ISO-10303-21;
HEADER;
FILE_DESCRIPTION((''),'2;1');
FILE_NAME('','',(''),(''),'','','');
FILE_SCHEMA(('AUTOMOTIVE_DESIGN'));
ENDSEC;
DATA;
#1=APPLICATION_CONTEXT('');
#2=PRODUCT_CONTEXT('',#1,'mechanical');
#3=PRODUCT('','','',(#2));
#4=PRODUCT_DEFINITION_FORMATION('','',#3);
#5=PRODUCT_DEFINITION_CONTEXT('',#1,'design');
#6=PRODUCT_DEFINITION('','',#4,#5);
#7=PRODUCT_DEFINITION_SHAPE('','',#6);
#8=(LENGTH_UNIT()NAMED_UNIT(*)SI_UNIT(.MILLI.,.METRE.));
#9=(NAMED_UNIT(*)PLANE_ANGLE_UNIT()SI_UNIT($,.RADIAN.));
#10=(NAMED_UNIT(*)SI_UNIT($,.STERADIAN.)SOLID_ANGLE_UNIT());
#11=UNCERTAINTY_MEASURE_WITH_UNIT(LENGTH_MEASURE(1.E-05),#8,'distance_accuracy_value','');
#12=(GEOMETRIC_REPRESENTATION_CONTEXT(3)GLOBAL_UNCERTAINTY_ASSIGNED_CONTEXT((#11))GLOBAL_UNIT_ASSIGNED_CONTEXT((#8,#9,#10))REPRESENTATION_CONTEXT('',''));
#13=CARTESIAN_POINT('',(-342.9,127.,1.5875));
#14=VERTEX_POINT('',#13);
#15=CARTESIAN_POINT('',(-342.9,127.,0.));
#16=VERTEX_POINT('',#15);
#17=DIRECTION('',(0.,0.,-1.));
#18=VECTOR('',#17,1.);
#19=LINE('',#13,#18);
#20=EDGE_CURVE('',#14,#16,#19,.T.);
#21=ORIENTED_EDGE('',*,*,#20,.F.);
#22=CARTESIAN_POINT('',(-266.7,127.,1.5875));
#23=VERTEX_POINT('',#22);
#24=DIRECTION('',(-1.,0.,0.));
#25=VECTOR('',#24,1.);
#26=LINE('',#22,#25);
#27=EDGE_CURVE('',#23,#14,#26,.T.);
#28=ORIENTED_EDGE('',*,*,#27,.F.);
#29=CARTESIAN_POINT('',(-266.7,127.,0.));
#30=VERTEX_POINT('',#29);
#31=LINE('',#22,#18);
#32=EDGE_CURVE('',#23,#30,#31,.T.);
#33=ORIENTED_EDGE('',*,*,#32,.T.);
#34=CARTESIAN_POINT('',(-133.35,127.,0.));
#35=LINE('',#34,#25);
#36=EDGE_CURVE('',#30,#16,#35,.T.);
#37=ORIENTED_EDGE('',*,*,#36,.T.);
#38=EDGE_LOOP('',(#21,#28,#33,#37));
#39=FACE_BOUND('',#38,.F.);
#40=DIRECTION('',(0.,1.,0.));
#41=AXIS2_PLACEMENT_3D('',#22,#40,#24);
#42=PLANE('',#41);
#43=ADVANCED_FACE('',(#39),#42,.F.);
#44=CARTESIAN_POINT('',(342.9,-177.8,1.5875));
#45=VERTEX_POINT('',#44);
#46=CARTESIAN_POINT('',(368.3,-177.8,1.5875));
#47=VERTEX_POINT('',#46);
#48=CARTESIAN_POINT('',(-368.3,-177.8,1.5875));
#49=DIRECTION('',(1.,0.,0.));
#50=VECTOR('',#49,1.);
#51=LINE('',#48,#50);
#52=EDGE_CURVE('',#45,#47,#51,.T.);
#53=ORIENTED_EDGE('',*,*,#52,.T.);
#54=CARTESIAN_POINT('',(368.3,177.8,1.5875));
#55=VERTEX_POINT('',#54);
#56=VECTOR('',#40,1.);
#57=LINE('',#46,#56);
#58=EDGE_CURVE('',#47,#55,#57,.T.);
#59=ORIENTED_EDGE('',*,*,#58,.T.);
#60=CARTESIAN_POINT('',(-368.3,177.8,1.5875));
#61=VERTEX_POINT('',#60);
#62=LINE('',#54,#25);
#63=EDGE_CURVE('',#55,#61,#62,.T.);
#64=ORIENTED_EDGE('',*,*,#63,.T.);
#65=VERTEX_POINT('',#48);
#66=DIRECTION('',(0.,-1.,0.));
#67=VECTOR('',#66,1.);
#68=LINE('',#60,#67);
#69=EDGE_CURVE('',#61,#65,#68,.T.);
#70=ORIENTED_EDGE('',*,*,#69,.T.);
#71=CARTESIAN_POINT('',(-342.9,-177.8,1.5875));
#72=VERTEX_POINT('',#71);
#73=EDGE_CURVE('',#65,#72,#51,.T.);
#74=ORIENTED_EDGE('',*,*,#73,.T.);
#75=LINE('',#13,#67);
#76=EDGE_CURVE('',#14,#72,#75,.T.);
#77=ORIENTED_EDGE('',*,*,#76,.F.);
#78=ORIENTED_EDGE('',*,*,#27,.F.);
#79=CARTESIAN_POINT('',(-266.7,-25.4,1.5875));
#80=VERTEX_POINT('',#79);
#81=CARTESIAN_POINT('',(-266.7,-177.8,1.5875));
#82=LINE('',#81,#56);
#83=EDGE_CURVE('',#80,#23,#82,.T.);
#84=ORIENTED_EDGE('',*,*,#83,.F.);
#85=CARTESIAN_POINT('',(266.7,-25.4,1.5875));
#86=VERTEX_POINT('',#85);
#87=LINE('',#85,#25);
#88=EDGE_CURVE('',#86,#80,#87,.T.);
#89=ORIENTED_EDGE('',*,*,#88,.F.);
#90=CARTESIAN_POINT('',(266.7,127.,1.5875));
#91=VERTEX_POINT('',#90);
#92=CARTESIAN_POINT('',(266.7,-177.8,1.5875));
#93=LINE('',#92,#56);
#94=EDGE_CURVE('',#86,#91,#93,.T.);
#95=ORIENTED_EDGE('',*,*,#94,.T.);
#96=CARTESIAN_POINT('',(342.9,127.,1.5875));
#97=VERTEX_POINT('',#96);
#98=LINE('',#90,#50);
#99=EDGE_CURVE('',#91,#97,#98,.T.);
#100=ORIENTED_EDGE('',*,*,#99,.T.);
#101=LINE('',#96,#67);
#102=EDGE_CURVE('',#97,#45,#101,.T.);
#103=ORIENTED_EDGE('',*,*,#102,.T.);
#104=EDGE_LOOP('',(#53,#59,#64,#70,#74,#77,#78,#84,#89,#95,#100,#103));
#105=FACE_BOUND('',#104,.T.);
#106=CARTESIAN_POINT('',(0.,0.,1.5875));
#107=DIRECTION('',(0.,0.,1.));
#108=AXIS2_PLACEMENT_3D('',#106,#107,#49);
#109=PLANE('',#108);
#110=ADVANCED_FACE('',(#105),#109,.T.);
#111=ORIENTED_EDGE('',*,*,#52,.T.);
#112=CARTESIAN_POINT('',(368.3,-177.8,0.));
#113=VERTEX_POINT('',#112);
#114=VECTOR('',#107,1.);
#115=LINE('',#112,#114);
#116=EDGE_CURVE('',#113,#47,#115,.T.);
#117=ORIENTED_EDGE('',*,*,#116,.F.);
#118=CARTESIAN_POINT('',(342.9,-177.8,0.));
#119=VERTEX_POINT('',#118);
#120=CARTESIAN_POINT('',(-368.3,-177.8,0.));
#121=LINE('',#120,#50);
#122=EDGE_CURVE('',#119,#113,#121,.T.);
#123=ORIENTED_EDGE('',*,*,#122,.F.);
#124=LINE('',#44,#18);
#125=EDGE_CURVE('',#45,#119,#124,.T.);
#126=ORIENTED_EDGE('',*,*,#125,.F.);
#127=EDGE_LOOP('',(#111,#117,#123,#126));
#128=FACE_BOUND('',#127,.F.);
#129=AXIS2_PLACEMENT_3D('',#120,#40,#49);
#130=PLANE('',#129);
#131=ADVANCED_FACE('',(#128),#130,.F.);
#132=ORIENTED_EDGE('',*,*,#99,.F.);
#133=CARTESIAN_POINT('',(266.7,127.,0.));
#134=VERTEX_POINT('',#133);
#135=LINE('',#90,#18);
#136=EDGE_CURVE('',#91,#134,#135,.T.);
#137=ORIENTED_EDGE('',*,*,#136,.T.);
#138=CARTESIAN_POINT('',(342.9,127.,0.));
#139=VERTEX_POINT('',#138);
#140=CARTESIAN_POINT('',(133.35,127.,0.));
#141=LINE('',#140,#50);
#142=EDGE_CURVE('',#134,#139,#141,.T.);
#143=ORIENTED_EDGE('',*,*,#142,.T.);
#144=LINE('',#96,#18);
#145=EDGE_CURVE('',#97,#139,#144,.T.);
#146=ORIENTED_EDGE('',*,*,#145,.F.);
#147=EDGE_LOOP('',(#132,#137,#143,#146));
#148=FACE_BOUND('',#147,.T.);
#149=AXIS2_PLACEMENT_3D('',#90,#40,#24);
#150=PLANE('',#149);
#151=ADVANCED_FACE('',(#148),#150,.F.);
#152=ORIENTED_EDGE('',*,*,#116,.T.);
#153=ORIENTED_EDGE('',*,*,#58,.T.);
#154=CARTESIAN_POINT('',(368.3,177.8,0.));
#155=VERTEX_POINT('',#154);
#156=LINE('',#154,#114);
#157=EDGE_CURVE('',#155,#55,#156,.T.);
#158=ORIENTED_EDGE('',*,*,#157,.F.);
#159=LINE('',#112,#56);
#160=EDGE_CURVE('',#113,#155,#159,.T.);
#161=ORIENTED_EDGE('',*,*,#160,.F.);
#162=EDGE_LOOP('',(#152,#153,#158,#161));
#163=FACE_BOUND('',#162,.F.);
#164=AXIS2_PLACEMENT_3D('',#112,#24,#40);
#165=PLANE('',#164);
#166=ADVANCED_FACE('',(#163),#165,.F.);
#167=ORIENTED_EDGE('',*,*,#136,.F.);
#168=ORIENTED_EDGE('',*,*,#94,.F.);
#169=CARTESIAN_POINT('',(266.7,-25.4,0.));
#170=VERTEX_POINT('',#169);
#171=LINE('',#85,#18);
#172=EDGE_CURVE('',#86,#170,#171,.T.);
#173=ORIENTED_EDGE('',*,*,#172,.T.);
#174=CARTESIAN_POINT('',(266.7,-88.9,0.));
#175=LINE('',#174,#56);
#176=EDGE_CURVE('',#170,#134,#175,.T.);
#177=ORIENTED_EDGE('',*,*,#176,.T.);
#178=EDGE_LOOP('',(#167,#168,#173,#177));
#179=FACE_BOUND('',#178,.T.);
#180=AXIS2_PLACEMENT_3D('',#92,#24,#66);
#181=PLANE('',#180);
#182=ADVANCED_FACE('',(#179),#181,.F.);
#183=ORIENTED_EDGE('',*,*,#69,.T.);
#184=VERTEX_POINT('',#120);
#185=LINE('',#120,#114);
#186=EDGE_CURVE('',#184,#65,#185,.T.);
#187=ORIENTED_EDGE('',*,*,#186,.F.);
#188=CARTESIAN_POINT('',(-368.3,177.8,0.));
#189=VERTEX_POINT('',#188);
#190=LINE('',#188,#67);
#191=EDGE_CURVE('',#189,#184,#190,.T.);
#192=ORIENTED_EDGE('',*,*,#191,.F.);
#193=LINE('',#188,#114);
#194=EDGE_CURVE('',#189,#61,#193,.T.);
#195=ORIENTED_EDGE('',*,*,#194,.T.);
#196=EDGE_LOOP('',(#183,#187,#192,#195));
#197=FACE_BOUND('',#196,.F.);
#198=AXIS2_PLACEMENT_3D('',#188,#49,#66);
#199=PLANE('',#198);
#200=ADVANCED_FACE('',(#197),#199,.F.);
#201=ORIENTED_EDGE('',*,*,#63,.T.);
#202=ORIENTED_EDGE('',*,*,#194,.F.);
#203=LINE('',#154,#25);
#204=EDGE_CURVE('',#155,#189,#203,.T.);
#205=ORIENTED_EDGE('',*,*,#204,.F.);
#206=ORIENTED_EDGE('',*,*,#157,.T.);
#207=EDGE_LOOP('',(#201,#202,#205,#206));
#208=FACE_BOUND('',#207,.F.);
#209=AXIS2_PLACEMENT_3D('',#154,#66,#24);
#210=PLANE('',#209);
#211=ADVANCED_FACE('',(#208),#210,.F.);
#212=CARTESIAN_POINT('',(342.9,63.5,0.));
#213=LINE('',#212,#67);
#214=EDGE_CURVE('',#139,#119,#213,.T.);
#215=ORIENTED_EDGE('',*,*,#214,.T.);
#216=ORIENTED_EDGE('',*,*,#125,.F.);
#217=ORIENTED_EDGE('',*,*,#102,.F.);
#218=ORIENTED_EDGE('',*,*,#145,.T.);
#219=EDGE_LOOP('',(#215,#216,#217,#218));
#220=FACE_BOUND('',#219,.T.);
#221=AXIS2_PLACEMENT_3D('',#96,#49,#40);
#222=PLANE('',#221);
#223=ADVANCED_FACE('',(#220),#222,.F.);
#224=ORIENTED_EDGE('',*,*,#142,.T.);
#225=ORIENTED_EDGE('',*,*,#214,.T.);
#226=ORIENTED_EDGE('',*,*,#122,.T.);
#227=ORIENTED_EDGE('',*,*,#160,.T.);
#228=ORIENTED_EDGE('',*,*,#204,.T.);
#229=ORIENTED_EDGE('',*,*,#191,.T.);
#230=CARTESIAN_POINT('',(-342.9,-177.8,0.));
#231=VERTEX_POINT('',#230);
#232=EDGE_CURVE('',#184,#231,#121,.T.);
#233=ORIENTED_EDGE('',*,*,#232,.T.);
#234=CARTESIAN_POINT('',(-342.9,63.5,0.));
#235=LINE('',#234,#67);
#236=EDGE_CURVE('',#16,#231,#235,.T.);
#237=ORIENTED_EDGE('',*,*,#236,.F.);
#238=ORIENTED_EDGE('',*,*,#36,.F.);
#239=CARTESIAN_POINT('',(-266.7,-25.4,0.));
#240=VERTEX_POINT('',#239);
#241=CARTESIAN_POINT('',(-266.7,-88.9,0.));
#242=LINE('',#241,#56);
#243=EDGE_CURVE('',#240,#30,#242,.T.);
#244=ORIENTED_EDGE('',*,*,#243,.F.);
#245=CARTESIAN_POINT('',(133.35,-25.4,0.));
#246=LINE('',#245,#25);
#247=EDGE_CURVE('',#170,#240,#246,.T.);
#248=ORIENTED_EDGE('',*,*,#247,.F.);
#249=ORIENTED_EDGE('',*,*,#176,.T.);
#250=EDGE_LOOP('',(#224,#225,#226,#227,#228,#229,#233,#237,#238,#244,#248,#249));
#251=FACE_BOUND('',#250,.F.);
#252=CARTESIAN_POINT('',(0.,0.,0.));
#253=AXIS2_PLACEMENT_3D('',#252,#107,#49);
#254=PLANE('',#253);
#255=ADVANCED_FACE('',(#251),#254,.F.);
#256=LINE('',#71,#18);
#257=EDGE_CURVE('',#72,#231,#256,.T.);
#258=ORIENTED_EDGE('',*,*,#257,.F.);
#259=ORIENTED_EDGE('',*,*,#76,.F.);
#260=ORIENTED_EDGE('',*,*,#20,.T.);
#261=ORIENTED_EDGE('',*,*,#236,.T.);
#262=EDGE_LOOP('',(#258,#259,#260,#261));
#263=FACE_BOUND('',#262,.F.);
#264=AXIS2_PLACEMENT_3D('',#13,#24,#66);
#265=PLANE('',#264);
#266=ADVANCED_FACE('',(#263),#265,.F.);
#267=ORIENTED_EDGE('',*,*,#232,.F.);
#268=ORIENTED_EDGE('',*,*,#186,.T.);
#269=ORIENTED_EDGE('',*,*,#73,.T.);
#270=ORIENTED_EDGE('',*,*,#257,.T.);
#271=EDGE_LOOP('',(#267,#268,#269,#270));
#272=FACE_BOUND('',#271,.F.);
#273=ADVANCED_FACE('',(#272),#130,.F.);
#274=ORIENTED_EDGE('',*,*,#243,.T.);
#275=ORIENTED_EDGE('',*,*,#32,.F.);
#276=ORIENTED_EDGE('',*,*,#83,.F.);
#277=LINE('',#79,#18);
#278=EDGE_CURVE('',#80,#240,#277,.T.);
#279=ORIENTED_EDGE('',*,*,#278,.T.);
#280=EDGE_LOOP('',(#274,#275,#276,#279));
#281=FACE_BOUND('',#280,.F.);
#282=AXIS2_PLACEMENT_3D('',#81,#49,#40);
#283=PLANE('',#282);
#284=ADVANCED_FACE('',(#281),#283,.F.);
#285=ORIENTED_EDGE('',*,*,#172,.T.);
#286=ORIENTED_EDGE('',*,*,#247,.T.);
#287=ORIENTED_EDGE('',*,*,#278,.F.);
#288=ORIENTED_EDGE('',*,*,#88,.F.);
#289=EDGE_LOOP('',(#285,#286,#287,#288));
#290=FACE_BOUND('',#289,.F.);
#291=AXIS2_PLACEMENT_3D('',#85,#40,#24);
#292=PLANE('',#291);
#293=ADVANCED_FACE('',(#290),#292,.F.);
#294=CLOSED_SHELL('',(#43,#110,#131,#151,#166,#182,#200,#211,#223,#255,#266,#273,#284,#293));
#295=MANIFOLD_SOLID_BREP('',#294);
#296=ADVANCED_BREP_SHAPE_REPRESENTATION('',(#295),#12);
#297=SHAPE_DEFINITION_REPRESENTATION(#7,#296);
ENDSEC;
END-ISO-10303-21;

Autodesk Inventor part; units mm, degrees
ref_plane "YZ Plane" through (0, 0, 0) normal (1, 0, 0) x (0, 1, 0)
ref_plane "XZ Plane" through (0, 0, 0) normal (0, 1, 0) x (-1, 0, 0)
ref_plane "XY Plane" through (0, 0, 0) normal (0, 0, 1) x (1, 0, 0)
sketch "Sketch1" plane through (0, 0, 0) normal (0, 0, 1) x (1, 0, 0)
  line L0 (-368.3, -177.8) -> (368.3, -177.8)
  line L1 (368.3, -177.8) -> (368.3, 177.8)
  line L2 (368.3, 177.8) -> (-368.3, 177.8)
  line L3 (-368.3, 177.8) -> (-368.3, -177.8)
  line L4 (-368.3, -177.8) -> (368.3, 177.8) construction
  line L5 (368.3, -177.8) -> (-368.3, 177.8) construction
  point P0 (0, 0)
  dimension "d0" = 355.6
  dimension "d1" = 736.6
extrude "Extrusion1" add sketch "Sketch1" along normal blind 1.5875
sketch "Sketch2" plane through (0, 0, 1.5875) normal (0, 0, 1) x (1, 0, 0)
  line L0 (-368.3, -177.8) -> (368.3, -177.8) projected
  line L1 (368.3, -177.8) -> (368.3, 177.8) projected
  line L2 (368.3, 177.8) -> (-368.3, 177.8) projected
  line L3 (-368.3, 177.8) -> (-368.3, -177.8) projected
  line L4 (-368.3, -177.8) -> (368.3, -177.8) projected
  line L5 (-342.9, -177.8) -> (-266.7, -177.8)
  line L6 (-266.7, -177.8) -> (-266.7, 127)
  line L7 (-266.7, 127) -> (-342.9, 127)
  line L8 (-342.9, 127) -> (-342.9, -177.8)
  point P0 (0, 0)
  dimension "d4" = 50.8
  dimension "d5" = 76.2
  dimension "d6" = 25.4
extrude "Extrusion2" cut sketch "Sketch2" against normal through all contours L8 L7 L6 L0
mirror "Mirror1" about plane through (0, 0, 0) normal (1, 0, 0) of "Extrusion2"
sketch "Sketch3" plane through (0, 0, 1.5875) normal (0, 0, 1) x (1, 0, 0)
  line L0 (342.9, 127) -> (342.9, -177.8) projected
  line L1 (342.9, -177.8) -> (368.3, -177.8) projected
  line L2 (368.3, -177.8) -> (368.3, 177.8) projected
  line L3 (368.3, 177.8) -> (-368.3, 177.8) projected
  line L4 (-368.3, 177.8) -> (-368.3, -177.8) projected
  line L5 (-368.3, -177.8) -> (-342.9, -177.8) projected
  line L6 (-342.9, -177.8) -> (-342.9, 127) projected
  line L7 (-342.9, 127) -> (-266.7, 127) projected
  line L8 (-266.7, 127) -> (-266.7, -177.8) projected
  line L9 (-266.7, -177.8) -> (266.7, -177.8) projected
  line L10 (266.7, -177.8) -> (266.7, 127) projected
  line L11 (266.7, 127) -> (342.9, 127) projected
  line L12 (-266.7, -177.8) -> (266.7, -177.8)
  line L13 (266.7, -177.8) -> (266.7, -25.4)
  line L14 (266.7, -25.4) -> (-266.7, -25.4)
  line L15 (-266.7, -25.4) -> (-266.7, -177.8)
  point P0 (0, 0)
  dimension "d9" = 152.4
extrude "Extrusion3" cut sketch "Sketch3" against normal through all contours L10 L9 L8 L14
properties part number "Human Player Ramp Panel" material "Polycarbonate, Clear"
